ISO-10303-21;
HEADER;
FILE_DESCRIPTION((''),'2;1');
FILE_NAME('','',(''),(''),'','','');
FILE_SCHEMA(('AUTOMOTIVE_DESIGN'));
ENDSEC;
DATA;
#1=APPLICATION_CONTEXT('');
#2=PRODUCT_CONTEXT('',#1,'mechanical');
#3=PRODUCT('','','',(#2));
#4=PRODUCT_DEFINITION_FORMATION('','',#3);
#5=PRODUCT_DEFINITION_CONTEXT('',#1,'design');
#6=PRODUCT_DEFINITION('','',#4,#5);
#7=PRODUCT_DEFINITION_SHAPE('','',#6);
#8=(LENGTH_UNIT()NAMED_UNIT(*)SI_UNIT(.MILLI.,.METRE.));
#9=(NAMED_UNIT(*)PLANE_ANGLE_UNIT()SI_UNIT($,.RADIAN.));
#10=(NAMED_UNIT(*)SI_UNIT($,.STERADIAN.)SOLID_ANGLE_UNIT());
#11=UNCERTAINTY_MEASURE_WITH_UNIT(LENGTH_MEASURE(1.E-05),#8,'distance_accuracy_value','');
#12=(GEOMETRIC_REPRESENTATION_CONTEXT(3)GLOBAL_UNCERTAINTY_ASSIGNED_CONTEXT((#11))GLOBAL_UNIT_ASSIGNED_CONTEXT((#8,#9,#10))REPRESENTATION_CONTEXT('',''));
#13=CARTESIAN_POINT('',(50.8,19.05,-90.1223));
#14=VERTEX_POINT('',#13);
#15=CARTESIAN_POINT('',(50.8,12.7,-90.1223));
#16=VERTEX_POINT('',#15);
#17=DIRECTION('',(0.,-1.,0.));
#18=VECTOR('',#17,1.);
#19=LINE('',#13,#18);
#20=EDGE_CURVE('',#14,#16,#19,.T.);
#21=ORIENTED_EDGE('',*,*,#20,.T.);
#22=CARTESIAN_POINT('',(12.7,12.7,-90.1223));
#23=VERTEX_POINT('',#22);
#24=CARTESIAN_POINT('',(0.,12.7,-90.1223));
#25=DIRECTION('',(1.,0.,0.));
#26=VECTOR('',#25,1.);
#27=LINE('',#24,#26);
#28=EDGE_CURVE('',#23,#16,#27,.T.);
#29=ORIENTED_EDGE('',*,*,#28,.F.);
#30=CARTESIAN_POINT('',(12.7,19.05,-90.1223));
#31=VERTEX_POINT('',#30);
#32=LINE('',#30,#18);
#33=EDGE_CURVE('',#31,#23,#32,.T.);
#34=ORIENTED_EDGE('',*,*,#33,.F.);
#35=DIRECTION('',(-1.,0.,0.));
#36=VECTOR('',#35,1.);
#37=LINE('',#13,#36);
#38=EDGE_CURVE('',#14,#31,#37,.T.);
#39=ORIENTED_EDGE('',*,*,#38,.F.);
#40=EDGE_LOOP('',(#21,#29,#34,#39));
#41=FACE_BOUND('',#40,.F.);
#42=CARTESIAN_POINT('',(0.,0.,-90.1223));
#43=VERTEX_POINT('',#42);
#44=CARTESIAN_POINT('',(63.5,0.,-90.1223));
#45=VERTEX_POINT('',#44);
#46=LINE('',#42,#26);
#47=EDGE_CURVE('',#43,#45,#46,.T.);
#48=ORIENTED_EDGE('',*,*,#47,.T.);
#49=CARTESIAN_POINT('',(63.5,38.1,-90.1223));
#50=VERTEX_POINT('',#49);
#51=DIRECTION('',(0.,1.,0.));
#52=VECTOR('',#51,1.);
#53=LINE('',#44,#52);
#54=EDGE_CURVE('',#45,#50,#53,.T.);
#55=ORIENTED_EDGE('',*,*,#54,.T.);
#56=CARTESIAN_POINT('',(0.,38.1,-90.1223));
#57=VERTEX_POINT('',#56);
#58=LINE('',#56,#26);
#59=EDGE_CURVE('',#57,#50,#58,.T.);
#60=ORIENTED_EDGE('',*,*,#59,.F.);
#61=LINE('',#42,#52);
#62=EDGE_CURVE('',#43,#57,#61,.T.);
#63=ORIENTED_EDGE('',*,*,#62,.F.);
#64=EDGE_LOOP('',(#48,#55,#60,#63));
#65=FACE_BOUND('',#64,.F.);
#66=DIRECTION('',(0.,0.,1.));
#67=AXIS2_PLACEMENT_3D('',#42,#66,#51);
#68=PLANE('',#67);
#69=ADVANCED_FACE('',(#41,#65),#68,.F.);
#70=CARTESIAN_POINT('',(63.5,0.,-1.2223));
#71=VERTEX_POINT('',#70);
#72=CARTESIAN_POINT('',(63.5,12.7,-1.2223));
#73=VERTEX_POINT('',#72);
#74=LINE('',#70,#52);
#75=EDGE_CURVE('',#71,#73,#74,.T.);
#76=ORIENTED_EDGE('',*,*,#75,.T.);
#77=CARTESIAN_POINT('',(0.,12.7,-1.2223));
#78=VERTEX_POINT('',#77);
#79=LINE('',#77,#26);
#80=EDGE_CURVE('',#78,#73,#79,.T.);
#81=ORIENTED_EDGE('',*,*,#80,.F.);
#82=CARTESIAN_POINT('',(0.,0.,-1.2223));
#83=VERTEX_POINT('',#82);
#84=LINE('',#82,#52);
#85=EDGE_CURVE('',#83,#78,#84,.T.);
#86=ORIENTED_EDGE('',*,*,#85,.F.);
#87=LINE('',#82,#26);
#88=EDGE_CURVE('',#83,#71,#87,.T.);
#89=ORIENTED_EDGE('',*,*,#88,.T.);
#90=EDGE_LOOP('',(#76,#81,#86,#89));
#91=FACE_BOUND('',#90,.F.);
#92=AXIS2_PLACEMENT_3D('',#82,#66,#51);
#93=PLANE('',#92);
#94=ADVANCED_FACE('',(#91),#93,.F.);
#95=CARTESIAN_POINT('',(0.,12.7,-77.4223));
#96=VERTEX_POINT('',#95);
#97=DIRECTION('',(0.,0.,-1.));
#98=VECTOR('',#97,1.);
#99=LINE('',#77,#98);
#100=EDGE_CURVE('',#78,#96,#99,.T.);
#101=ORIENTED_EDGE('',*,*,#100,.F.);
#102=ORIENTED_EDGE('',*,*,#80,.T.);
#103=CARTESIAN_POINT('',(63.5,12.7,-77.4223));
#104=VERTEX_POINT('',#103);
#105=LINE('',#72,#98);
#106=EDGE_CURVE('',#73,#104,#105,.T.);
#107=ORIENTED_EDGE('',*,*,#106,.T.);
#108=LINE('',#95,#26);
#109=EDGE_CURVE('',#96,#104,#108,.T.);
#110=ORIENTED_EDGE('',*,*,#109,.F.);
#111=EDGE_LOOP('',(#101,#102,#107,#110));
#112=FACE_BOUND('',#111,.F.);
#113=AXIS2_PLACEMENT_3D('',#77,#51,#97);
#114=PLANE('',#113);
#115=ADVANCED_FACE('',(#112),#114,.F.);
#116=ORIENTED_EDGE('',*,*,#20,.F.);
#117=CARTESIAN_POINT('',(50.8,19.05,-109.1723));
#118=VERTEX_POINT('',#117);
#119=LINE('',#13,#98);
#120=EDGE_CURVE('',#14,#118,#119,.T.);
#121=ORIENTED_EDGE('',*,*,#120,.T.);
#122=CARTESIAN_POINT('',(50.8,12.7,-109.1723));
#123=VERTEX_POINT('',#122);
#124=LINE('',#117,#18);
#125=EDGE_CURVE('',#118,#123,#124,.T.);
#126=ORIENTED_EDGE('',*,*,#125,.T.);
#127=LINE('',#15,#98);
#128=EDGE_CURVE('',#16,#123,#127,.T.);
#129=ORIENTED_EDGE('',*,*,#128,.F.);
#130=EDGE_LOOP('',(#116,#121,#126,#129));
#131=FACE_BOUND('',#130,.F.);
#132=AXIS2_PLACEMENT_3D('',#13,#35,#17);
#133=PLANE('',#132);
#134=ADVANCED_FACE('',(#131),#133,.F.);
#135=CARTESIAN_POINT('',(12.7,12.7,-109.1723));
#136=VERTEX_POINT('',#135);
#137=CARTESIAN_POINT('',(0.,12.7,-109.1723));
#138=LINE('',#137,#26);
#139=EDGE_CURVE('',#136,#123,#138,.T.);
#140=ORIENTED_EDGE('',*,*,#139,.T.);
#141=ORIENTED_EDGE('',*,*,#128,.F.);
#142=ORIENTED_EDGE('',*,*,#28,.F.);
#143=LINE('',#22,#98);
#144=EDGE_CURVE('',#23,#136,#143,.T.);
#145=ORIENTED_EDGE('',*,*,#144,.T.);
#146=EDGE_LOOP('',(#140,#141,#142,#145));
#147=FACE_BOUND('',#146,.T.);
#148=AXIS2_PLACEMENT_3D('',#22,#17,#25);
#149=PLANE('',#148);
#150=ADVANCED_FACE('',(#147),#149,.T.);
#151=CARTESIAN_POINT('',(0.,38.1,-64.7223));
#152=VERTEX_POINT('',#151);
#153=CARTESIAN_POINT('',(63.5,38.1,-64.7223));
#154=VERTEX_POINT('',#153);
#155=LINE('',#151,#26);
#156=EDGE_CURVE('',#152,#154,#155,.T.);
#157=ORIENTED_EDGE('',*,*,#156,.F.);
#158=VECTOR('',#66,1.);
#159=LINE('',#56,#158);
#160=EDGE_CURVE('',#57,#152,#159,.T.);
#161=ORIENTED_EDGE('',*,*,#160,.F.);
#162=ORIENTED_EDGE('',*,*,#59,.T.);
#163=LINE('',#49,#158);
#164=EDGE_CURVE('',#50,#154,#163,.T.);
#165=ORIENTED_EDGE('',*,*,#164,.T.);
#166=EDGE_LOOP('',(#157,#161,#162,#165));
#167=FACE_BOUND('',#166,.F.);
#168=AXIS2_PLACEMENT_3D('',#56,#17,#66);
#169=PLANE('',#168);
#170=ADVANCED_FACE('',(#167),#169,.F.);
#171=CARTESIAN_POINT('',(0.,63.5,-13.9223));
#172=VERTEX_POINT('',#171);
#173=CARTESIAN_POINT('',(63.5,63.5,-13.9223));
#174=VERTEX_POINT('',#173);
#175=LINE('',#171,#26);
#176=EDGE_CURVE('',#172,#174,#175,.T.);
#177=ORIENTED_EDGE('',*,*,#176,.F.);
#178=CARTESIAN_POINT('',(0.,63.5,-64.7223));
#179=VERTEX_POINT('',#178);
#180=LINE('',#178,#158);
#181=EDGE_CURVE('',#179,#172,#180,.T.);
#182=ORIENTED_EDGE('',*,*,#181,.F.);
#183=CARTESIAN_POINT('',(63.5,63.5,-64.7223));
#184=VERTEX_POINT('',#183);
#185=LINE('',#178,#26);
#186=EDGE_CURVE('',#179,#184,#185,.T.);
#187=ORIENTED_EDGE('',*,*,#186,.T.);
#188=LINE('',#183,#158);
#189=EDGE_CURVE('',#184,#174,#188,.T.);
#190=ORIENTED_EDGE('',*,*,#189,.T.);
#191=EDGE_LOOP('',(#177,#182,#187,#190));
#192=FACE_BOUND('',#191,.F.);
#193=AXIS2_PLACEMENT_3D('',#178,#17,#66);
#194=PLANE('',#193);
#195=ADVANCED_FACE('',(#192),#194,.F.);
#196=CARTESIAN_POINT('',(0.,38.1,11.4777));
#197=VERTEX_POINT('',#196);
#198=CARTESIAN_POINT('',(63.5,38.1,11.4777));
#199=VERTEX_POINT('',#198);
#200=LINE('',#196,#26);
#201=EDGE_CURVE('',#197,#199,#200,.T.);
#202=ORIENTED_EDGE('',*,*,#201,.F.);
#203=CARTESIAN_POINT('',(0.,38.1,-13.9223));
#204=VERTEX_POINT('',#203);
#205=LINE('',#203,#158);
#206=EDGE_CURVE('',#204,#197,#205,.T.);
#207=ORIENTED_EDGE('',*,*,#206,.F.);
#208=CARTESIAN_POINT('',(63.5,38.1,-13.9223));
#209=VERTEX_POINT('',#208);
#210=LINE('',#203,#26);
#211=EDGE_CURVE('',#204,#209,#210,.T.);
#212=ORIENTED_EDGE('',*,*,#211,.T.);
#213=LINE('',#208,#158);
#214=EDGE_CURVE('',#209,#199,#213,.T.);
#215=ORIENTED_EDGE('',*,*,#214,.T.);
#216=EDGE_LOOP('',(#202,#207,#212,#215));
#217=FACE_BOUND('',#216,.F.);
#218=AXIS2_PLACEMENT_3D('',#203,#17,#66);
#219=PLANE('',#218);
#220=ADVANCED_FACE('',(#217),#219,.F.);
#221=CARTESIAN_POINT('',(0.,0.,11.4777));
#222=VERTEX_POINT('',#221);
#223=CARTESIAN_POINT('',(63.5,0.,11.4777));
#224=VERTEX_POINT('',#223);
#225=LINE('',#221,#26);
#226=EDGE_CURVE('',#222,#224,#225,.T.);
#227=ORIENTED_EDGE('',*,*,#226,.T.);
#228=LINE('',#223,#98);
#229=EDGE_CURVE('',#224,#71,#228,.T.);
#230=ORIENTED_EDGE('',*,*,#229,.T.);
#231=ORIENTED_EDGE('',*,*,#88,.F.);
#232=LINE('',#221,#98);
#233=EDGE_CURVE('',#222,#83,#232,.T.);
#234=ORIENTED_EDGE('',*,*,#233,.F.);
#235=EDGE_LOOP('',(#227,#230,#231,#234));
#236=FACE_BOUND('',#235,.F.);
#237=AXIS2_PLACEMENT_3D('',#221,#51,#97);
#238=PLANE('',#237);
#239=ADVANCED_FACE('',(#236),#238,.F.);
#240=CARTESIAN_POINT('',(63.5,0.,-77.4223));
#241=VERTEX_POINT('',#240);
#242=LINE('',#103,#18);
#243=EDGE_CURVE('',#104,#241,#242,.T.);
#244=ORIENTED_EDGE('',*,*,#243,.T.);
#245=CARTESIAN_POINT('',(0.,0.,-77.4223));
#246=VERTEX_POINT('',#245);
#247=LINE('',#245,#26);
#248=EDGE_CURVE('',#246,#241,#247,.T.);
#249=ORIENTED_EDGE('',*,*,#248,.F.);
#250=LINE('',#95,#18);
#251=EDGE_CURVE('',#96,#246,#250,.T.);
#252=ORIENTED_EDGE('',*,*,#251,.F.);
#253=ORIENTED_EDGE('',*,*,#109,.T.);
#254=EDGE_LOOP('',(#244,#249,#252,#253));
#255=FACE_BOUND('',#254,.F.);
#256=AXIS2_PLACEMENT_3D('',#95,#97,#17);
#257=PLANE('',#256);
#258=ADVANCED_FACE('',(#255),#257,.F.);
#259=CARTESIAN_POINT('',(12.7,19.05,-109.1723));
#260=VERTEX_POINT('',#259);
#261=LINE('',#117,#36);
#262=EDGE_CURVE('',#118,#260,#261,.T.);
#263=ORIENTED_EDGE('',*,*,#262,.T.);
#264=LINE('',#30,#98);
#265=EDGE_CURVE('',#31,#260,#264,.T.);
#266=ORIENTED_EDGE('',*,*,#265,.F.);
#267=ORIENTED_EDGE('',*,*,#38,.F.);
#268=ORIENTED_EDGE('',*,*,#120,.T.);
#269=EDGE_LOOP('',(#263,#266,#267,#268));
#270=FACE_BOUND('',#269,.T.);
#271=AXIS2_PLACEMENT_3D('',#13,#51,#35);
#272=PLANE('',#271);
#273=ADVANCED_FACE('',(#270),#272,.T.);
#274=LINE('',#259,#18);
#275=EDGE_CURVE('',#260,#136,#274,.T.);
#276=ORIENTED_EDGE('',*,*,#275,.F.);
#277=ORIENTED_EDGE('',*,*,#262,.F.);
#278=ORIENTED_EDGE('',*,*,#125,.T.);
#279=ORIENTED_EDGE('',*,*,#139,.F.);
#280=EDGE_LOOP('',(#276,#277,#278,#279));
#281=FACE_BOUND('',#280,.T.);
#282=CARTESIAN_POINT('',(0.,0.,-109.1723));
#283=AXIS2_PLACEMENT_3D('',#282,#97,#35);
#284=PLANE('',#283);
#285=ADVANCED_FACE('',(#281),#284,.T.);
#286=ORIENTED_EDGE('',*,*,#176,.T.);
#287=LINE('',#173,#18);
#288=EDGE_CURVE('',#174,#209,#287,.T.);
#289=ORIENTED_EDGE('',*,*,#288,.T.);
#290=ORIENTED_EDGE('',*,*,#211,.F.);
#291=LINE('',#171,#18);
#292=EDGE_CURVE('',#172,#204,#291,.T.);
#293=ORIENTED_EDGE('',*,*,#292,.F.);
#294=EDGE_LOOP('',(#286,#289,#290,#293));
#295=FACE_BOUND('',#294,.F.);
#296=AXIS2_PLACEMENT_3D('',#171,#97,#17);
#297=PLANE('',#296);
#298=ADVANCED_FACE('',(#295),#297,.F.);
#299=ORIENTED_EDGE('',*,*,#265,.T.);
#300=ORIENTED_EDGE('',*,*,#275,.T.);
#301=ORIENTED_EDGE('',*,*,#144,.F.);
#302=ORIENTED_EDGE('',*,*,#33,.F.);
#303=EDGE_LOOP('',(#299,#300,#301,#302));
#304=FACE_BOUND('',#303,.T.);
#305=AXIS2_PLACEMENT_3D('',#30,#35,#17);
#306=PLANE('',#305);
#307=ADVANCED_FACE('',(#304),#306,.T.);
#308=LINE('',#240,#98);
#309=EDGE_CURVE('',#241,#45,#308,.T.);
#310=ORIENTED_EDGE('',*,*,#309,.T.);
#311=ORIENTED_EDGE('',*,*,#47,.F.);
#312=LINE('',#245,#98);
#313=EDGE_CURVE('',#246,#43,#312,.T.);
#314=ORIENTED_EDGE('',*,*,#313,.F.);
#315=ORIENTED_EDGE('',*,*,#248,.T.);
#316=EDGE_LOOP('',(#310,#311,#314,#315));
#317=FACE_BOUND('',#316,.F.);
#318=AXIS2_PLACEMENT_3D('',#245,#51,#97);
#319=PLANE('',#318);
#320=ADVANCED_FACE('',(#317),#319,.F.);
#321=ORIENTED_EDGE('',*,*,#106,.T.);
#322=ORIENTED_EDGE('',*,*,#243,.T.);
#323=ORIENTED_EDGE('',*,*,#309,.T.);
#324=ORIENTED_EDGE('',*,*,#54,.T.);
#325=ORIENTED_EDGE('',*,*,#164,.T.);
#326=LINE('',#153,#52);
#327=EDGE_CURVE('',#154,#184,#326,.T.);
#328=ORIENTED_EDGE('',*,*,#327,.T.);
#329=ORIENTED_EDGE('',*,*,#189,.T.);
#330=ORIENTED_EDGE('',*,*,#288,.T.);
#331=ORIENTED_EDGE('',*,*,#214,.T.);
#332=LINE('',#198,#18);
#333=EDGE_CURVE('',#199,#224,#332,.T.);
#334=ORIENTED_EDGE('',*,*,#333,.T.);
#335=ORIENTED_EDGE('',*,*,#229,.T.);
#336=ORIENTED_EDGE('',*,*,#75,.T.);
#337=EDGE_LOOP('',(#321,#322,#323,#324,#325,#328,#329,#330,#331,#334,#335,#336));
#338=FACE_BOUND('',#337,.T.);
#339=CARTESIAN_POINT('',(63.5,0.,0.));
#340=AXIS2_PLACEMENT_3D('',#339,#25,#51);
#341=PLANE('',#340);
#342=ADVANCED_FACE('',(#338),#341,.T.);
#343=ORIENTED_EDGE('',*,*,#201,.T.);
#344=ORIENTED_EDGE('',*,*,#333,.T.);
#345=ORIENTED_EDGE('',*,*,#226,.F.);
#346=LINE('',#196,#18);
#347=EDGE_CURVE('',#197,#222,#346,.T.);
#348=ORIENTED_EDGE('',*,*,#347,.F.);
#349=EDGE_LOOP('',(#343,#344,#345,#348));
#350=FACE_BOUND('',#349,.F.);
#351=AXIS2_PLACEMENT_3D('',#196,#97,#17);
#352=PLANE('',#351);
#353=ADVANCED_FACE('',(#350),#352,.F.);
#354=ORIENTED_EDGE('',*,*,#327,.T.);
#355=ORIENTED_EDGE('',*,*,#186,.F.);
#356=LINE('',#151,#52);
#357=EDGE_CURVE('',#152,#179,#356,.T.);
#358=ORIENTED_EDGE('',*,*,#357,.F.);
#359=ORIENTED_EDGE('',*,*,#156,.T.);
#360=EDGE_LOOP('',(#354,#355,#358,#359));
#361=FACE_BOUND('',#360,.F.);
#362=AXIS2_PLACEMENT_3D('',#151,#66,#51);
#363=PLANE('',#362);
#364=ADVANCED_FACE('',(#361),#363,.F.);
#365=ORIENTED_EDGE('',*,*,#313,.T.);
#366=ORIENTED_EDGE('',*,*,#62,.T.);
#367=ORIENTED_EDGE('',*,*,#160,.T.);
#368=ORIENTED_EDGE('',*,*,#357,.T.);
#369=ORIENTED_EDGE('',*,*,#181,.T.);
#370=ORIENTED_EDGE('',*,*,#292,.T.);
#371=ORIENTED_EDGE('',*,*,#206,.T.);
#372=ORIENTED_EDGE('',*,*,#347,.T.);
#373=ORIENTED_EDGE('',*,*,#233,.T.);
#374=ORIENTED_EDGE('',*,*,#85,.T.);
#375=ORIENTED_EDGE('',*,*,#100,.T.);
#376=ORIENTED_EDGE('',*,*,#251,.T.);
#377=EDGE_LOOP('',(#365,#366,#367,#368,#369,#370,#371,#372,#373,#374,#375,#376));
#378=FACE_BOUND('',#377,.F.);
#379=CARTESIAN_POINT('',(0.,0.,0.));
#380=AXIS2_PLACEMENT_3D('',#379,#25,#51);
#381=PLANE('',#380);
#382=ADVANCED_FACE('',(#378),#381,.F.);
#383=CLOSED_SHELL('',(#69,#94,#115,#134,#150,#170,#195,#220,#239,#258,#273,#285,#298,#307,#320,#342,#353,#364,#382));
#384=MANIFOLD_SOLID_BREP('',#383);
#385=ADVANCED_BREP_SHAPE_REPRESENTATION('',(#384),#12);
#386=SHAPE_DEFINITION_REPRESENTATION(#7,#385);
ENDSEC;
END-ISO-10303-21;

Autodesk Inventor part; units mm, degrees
ref_plane "YZ Plane" through (0, 0, 0) normal (1, 0, 0) x (0, 1, 0)
ref_plane "XZ Plane" through (0, 0, 0) normal (0, 1, 0) x (-1, 0, 0)
ref_plane "XY Plane" through (0, 0, 0) normal (0, 0, 1) x (1, 0, 0)
sketch "Sketch1" plane through (0, 0, 0) normal (1, 0, 0) x (0, 1, 0)
  line L0 (0, 11.4777) -> (0, -1.2223)
  line L1 (0, -1.2223) -> (12.7, -1.2223)
  line L2 (12.7, -1.2223) -> (12.7, -77.4223)
  line L3 (12.7, -77.4223) -> (0, -77.4223)
  line L4 (0, -77.4223) -> (0, -90.1223)
  line L5 (0, -90.1223) -> (38.1, -90.1223)
  line L6 (38.1, -90.1223) -> (38.1, -64.7223)
  line L7 (38.1, -64.7223) -> (63.5, -64.7223)
  line L8 (63.5, -64.7223) -> (63.5, -13.9223)
  line L9 (63.5, -13.9223) -> (38.1, -13.9223)
  line L10 (38.1, -13.9223) -> (38.1, 11.4777)
  line L11 (38.1, 11.4777) -> (0, 11.4777)
  point P0 (0, 0)
  dimension "d0" = 12.7
  dimension "d1" = 12.7
  dimension "d2" = 76.2
  dimension "d3" = 12.7
  dimension "d4" = 38.1
  dimension "d5" = 25.4
  dimension "d6" = 25.4
  dimension "d7" = 50.8
  dimension "d8" = 25.4
  dimension "d9" = 25.4
extrude "Extrusion1" add sketch "Sketch1" along normal blind 63.5
sketch "Sketch2" plane through (63.5, 0, 0) normal (1, 0, 0) x (0, 0, -1)
  point P0 (0, 0)
sketch "Sketch3" plane through (0, 0, -90.1223) normal (0, 0, -1) x (-1, 0, 0)
  line L0 (0, 38.1) -> (-63.5, 38.1) projected
  line L1 (-63.5, 38.1) -> (-63.5, 19.05)
  line L2 (-63.5, 0) -> (-63.5, 38.1) projected
  line L3 (-50.8, 19.05) -> (-12.7, 19.05)
  line L4 (-12.7, 19.05) -> (-12.7, 12.7)
  line L5 (0, 12.7) -> (-63.5, 12.7) projected
  line L6 (-12.7, 12.7) -> (-50.8, 12.7)
  line L7 (-50.8, 19.05) -> (-50.8, 12.7)
  point P0 (0, 0)
  dimension "d12" = 19.05
  dimension "d13" = 12.7
  dimension "d14" = 38.1
  dimension "d15" = 6.35
extrude "Extrusion2" add sketch "Sketch3" along normal blind 19.05
properties part number "Model Creation 1"
